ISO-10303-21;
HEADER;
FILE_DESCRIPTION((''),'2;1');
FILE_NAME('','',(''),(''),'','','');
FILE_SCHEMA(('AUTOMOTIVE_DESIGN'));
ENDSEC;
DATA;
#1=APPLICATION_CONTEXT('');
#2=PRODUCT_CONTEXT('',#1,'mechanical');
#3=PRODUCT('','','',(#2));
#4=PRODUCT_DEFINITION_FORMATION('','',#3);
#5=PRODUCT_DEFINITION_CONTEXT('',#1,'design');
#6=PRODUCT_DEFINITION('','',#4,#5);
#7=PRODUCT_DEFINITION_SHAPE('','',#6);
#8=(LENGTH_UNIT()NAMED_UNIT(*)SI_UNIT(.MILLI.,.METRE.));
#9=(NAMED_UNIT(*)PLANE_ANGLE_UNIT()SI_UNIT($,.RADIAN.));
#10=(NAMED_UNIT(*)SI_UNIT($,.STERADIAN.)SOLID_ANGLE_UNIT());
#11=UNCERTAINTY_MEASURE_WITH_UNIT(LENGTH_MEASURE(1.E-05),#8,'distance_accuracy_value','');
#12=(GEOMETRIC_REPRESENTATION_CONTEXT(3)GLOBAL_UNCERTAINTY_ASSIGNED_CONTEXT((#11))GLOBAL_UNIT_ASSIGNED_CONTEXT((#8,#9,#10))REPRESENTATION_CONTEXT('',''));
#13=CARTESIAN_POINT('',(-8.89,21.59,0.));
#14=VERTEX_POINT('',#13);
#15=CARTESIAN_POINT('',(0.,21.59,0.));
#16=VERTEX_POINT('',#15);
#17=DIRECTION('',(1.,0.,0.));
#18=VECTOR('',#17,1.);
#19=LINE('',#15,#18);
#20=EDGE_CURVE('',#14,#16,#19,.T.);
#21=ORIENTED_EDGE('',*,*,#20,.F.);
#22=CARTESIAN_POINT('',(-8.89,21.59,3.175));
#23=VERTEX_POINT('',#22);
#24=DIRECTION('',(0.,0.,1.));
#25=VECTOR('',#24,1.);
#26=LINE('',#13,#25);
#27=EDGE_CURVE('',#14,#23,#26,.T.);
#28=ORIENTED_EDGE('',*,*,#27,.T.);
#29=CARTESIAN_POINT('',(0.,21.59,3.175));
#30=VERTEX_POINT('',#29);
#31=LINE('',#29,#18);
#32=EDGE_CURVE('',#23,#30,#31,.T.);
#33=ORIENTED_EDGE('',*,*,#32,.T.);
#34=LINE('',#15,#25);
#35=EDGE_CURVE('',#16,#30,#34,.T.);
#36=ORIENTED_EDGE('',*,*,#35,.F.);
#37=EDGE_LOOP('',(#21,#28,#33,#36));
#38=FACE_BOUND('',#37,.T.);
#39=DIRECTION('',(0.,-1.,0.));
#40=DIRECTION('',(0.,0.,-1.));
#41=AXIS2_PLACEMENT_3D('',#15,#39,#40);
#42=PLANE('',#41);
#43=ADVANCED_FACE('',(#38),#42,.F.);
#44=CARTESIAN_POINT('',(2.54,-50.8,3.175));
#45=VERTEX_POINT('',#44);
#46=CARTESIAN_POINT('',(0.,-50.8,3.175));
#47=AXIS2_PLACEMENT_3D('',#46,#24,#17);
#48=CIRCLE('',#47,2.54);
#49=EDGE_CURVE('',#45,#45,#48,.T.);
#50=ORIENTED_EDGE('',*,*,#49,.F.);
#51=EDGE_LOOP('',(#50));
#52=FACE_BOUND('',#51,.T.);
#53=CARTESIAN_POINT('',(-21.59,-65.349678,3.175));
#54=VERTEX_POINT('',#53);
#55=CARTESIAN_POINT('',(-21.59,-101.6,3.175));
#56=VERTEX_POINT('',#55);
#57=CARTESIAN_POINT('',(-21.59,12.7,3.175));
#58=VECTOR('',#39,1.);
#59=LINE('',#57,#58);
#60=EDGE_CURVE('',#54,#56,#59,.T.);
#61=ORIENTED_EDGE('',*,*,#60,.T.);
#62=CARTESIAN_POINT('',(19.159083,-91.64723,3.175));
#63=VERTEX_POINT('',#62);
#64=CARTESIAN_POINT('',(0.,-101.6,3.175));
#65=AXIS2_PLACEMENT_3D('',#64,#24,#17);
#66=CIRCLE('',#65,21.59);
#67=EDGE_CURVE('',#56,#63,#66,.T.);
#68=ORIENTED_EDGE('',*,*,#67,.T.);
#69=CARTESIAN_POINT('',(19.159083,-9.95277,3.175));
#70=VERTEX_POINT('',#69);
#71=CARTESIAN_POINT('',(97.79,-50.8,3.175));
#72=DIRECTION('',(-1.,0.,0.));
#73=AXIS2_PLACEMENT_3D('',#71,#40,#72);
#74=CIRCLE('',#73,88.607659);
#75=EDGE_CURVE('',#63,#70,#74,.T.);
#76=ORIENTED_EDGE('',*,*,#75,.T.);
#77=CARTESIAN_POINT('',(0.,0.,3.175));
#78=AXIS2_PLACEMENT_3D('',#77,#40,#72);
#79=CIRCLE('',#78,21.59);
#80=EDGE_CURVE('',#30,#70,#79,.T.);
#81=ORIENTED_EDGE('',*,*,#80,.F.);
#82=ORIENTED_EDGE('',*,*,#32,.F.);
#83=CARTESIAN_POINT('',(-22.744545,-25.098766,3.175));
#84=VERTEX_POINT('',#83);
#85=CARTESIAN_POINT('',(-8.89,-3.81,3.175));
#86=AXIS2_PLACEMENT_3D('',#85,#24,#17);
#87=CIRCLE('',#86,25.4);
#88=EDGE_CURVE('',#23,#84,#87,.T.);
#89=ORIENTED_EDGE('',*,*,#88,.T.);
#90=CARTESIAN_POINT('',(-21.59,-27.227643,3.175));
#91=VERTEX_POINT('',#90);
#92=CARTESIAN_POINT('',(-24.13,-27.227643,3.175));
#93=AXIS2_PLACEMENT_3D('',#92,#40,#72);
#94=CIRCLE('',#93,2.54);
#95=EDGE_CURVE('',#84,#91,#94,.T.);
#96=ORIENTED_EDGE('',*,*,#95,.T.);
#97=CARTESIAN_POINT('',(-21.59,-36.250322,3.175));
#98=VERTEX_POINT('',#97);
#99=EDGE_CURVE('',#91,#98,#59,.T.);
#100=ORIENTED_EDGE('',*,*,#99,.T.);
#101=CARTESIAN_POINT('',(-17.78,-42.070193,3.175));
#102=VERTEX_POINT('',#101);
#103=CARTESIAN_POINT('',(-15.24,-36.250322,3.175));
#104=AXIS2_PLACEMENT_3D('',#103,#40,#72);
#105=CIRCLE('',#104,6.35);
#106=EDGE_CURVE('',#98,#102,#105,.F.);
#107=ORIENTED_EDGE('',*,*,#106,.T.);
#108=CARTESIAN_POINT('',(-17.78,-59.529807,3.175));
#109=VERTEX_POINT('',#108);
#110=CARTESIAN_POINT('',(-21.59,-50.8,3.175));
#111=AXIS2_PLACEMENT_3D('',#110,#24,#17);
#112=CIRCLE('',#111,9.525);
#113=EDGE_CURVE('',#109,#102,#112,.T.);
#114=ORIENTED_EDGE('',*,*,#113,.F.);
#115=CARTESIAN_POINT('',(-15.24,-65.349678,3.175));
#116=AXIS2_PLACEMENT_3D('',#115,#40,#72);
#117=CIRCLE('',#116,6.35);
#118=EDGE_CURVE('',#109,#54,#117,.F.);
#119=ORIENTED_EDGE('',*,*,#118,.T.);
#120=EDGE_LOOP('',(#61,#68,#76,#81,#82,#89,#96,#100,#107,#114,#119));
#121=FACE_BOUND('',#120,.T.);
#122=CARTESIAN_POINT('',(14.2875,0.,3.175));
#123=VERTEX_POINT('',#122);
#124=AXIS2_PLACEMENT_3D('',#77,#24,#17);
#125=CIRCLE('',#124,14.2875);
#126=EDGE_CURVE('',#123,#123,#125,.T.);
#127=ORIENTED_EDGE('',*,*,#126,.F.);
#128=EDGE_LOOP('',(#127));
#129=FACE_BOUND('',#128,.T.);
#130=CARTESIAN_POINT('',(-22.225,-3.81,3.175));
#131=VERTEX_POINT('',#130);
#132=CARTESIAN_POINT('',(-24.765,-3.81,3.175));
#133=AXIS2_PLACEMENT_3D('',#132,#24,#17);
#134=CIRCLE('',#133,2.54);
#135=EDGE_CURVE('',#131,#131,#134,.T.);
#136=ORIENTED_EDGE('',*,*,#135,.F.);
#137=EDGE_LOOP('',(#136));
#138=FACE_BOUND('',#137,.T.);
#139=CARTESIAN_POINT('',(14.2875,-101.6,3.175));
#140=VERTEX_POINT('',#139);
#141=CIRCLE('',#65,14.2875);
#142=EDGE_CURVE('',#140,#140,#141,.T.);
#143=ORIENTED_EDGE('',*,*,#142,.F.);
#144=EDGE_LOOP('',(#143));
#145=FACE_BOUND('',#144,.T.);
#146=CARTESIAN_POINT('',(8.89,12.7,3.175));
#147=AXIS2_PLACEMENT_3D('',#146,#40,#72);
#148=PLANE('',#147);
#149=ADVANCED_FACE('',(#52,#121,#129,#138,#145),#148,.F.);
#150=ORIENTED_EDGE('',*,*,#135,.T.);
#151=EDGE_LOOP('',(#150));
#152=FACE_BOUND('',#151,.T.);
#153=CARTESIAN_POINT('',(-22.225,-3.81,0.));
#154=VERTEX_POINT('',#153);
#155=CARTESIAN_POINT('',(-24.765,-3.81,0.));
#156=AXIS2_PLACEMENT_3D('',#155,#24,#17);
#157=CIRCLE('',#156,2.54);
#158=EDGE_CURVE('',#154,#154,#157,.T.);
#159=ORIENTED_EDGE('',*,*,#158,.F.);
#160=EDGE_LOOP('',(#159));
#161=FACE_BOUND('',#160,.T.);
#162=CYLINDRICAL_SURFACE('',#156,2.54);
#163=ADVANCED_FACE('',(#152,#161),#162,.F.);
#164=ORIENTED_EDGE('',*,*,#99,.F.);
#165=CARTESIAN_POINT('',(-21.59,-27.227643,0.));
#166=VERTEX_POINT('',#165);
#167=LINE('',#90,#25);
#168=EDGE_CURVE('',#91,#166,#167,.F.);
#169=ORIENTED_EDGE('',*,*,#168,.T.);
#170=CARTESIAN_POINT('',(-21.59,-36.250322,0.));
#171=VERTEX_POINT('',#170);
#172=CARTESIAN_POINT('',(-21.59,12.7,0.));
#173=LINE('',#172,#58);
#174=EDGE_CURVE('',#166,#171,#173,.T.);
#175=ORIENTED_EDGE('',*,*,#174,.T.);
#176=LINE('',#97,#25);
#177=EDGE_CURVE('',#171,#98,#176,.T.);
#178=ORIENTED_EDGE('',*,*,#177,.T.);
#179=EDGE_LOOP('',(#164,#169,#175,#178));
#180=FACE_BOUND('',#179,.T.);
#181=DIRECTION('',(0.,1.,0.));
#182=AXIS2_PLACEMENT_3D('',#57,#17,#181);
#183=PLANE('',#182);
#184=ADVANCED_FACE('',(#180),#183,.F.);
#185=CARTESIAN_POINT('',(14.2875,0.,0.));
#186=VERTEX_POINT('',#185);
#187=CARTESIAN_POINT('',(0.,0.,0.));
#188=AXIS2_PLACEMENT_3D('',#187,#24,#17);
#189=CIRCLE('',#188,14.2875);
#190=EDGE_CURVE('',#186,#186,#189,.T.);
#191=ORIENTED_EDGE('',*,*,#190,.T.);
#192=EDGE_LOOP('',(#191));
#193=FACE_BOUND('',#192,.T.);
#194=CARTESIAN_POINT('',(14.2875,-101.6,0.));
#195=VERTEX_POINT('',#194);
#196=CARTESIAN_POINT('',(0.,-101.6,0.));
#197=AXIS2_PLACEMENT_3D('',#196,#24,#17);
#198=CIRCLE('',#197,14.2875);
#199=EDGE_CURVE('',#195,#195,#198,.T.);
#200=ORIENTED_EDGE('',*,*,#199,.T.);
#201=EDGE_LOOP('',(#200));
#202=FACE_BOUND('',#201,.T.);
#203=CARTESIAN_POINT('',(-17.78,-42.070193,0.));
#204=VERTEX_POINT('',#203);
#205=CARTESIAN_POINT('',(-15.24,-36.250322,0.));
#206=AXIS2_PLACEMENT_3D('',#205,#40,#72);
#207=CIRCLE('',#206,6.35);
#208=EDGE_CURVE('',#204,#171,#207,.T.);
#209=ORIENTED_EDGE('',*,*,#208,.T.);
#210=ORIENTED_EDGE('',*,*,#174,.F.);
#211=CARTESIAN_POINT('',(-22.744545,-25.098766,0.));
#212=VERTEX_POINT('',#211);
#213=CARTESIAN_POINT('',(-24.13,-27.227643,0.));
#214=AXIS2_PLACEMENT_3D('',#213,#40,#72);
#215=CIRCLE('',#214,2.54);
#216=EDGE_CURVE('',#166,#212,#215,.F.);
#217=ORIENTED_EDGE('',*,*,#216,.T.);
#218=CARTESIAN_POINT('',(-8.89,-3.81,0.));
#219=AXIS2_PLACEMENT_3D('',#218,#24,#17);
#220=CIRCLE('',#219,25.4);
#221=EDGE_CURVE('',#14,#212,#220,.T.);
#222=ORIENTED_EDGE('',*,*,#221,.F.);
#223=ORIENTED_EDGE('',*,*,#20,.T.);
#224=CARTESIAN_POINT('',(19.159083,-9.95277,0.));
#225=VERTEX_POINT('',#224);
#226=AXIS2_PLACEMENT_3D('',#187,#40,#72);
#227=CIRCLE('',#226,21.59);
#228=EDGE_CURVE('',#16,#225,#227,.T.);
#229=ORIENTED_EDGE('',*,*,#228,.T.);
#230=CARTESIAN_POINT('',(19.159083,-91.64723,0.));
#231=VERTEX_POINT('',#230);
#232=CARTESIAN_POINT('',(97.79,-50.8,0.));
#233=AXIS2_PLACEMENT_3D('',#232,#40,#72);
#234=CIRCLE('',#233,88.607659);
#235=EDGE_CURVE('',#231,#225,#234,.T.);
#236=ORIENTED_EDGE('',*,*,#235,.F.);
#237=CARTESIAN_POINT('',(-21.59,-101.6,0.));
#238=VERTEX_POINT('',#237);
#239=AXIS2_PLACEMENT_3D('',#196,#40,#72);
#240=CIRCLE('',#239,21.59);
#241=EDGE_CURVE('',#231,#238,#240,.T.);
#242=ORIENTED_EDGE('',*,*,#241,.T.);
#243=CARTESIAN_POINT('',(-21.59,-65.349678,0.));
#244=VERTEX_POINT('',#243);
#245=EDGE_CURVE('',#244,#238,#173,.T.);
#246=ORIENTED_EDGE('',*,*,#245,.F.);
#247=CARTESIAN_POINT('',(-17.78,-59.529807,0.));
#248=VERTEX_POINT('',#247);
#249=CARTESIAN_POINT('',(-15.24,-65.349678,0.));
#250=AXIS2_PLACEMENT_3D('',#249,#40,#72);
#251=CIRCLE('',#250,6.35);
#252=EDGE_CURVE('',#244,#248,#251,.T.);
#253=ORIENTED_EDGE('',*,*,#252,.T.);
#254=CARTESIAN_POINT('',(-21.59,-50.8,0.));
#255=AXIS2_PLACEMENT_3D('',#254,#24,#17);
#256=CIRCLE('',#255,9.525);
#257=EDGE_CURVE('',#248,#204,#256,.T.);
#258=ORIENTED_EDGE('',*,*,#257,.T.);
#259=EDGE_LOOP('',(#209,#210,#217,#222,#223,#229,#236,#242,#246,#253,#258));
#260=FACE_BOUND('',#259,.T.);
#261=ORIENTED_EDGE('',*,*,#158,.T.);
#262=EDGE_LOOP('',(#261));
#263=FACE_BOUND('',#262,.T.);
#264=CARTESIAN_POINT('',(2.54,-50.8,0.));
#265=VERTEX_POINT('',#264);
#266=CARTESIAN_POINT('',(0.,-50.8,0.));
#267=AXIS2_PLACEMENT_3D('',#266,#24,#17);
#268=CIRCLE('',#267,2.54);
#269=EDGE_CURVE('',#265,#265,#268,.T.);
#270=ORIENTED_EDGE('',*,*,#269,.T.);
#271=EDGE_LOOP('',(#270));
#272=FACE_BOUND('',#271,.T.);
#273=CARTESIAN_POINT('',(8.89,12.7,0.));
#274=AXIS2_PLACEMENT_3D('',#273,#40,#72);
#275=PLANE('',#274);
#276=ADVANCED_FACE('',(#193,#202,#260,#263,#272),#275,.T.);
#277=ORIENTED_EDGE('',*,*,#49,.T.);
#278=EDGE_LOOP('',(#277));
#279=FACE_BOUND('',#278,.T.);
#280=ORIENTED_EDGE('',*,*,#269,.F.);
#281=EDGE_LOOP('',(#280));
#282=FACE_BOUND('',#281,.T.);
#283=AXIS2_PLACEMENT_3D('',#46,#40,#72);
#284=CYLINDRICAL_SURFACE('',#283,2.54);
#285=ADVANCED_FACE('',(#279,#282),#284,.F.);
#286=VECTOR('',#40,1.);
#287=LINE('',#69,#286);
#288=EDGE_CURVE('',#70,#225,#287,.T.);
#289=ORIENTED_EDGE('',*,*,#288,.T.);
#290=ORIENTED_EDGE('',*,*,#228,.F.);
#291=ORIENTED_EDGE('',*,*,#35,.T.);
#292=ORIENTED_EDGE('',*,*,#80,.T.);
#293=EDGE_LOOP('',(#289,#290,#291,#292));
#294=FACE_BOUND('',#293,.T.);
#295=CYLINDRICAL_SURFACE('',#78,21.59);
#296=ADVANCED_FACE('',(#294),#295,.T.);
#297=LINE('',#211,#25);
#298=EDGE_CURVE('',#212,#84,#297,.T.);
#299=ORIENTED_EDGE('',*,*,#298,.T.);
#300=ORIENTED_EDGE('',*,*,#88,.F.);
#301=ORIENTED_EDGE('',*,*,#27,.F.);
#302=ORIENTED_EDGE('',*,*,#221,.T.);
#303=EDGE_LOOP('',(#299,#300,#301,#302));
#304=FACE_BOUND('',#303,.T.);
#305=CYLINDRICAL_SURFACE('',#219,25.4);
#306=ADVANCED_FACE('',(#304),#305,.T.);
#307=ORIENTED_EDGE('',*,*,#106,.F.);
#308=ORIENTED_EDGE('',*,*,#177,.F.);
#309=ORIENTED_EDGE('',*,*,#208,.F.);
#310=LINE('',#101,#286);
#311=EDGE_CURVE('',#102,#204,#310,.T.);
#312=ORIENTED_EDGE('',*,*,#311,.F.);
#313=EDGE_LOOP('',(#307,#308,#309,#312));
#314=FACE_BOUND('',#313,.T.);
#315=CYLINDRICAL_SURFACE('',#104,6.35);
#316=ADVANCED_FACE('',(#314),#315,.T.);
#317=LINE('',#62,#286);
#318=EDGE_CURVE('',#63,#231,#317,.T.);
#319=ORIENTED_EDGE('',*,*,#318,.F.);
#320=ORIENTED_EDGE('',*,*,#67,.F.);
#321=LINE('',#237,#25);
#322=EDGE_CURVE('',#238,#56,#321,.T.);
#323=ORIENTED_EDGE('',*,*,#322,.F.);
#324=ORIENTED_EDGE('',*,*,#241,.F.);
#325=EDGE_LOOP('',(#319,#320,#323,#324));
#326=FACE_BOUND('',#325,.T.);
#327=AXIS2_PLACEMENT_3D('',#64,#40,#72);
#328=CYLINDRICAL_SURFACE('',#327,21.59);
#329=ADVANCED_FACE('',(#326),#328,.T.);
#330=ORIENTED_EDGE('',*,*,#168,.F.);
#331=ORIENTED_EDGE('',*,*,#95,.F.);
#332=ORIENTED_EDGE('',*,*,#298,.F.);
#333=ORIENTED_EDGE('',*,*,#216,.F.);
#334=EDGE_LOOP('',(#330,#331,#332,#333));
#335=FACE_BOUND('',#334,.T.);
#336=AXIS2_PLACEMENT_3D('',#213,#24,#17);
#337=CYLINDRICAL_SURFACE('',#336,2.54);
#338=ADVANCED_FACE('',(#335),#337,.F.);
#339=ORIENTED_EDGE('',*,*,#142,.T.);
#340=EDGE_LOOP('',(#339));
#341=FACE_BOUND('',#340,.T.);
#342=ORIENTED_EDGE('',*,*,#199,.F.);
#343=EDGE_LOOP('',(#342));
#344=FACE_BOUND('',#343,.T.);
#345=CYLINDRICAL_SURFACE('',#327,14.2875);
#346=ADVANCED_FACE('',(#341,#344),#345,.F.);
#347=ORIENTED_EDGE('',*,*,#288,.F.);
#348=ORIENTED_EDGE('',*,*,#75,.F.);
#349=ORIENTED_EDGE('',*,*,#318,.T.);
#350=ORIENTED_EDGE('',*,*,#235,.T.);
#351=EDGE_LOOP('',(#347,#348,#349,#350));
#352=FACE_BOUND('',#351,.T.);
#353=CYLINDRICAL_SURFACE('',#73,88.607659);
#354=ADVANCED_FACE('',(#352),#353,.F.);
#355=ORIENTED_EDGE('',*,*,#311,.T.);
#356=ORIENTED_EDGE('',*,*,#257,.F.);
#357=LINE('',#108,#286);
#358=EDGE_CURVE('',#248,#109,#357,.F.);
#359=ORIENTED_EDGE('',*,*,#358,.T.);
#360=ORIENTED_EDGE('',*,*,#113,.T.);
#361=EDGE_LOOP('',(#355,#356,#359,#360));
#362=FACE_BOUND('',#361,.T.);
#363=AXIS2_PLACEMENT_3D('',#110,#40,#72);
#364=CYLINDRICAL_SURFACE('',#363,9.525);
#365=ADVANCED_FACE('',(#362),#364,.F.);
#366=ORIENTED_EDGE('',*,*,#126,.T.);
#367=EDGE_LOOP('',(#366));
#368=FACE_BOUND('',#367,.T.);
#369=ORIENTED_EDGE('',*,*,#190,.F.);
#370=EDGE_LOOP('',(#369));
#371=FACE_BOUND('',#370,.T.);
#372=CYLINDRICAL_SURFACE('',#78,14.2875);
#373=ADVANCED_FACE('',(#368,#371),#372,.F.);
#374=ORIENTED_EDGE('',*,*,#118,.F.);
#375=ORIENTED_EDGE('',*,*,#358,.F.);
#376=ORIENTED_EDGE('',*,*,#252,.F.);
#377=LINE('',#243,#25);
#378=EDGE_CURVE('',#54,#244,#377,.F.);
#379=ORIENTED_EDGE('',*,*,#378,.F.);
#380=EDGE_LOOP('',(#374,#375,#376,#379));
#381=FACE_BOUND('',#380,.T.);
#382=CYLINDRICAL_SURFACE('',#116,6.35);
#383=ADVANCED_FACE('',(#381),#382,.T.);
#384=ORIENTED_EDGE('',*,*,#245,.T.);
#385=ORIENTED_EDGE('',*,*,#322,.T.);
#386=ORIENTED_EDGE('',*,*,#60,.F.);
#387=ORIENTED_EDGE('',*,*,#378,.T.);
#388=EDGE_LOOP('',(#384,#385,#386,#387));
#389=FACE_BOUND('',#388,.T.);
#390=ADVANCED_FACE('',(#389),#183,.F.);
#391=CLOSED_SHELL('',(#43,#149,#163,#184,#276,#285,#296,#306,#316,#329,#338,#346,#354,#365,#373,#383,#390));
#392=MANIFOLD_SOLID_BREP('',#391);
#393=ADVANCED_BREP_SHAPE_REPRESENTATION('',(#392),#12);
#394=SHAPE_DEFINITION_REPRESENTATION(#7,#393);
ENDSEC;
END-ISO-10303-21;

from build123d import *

# Parameters (mm, degrees)
SKETCH1_R           = 14.2875
SKETCH1_R_2         = 2.54
BOSS_EXTRUDE1_DEPTH = 3.175
CUT_EXTRUDE1_DEPTH  = 162.674043733
FILLET3_R           = 6.35
SKETCH3_R           = 2.54
BOSS_EXTRUDE3_DEPTH = 3.175
SKETCH6_R           = 2.54
BOSS_EXTRUDE4_DEPTH = 3.175
FILLET2_R           = 6.35
CUT_EXTRUDE2_DEPTH  = 169.237022961
CUT_EXTRUDE3_DEPTH  = 169.237022961
CUT_EXTRUDE4_DEPTH  = 168.265702461
SKETCH15_R          = 2.54
BOSS_EXTRUDE8_DEPTH = 3.175
FILLET4_R           = 2.54


with BuildPart() as part:
    # Sketch1 → Boss-Extrude1 (new body)
    with BuildSketch(Plane.XY):
        with BuildLine():
            Line((-8.89, 25.4), (8.89, 25.4))
            ThreePointArc((8.89, 25.4), (17.870256121, 21.680256121), (21.59, 12.7))
            Line((21.59, 12.7), (21.59, -117.775079775))
            ThreePointArc((21.59, -117.775079775), (21.127743647, -120.388718212), (19.797058824, -122.685251408))
            Line((19.797058824, -122.685251408), (-7.952696208, -155.616779465))
            ThreePointArc((-7.952696208, -155.616779465), (-12.268297602, -157.851943494), (-16.900388255, -156.380852124))
            Line((-16.900388255, -156.380852124), (-32.439211784, -143.287061102))
            ThreePointArc((-32.439211784, -143.287061102), (-34.674375812, -138.971459708), (-33.203284443, -134.339369055))
            Line((-33.203284443, -134.339369055), (-23.382941176, -122.685251408))
            ThreePointArc((-23.382941176, -122.685251408), (-22.052256353, -120.388718212), (-21.59, -117.775079775))
            Line((-21.59, -117.775079775), (-21.59, 12.7))
            ThreePointArc((-21.59, 12.7), (-17.870256121, 21.680256121), (-8.89, 25.4))
        make_face()
        Circle(SKETCH1_R, mode=Mode.SUBTRACT)
        with Locations((0, -101.6)):
            Circle(SKETCH1_R, mode=Mode.SUBTRACT)
        with Locations((-18.532085478, -142.550133084)):
            Circle(SKETCH1_R_2, mode=Mode.SUBTRACT)
        with Locations((0, -50.8)):
            Circle(SKETCH1_R_2, mode=Mode.SUBTRACT)
    extrude(amount=BOSS_EXTRUDE1_DEPTH)

    # Sketch2 → Cut-Extrude1 (cut, through all)
    with BuildSketch(Plane.XY):
        with BuildLine():
            ThreePointArc((19.159083004, -91.647229609), (9.182340769, -50.8), (19.159083004, -9.952770391))
            ThreePointArc((19.159083004, -9.952770391), (20.973467787, -5.122670102), (21.59, 0))
            Line((21.59, 0), (27.94, 0))
            Line((27.94, 0), (27.94, -121.656687185))
            Line((27.94, -121.656687185), (-7.620284479, -163.8572221))
            Line((-7.620284479, -163.8572221), (-17.501317584, -155.874478972))
            Line((-17.501317584, -155.874478972), (16.51, -115.512152961))
            ThreePointArc((16.51, -115.512152961), (20.280273667, -109.005308906), (21.59, -101.6))
            ThreePointArc((21.59, -101.6), (20.973467787, -96.477329898), (19.159083004, -91.647229609))
        make_face()
        with BuildLine():
            Line((-21.59, -41.275), (-21.59, -60.325))
            ThreePointArc((-21.59, -60.325), (-12.065, -50.8), (-21.59, -41.275))
        make_face()
    extrude(amount=CUT_EXTRUDE1_DEPTH, mode=Mode.SUBTRACT)


with BuildPart() as cut_extrude1_piece_1:
    # of the separate pieces the step leaves, piece 1, a body of its own (cut_extrude1_pieces)
    add(part.part.solids().sort_by_distance((-8.89, 25.4, 0))[0])

    # Fillet3
    fillet3_edges = [cut_extrude1_piece_1.edges().sort_by_distance(p)[0] for p in [
        (-21.59, -41.275, 1.5875),
        (-21.59, -60.325, 1.5875),
    ]]
    fillet(fillet3_edges, radius=FILLET3_R)

    # Sketch3 → Boss-Extrude3 (add)
    with BuildSketch(Plane.XY.offset(3.175)):
        with BuildLine():
            Line((-27.351416194, -127.394768527), (-36.025496499, -137.688579))
            ThreePointArc((-36.025496499, -137.688579), (-37.217489152, -141.441859142), (-35.4063854, -144.93869507))
            Line((-35.4063854, -144.93869507), (-24.403104784, -154.210610454))
            ThreePointArc((-24.403104784, -154.210610454), (-19.771014132, -155.681701823), (-15.455412737, -153.446537795))
            Line((-15.455412737, -153.446537795), (-7.557639641, -144.073996091))
            Line((-7.557639641, -144.073996091), (-27.351416194, -127.394768527))
        make_face()
        with Locations((-18.532085478, -142.550133084)):
            Circle(SKETCH3_R, mode=Mode.SUBTRACT)
    extrude(amount=-BOSS_EXTRUDE3_DEPTH)

    # Sketch6 → Boss-Extrude4 (add)
    with BuildSketch(Plane.XY.offset(3.175)):
        Polygon((-35.4063854, -144.93869507), (-63.620410749, -121.164144113), (-51.344981666, -106.596497054), (-27.065569901, -127.055545526), align=None)
        with Locations((-52.626813855, -117.972130278)):
            Circle(SKETCH6_R, mode=Mode.SUBTRACT)
    extrude(amount=-BOSS_EXTRUDE4_DEPTH)

    # Fillet2
    fillet2_edges = [cut_extrude1_piece_1.edges().sort_by_distance(p)[0] for p in [
        (-63.620410749, -121.164144113, 1.5875),
        (-51.344981666, -106.596497054, 1.5875),
        (-27.065569901, -127.055545526, 1.5875),
    ]]
    fillet(fillet2_edges, radius=FILLET2_R)

    # Sketch7 → Cut-Extrude2 (cut, through all)
    with BuildSketch(Plane.XY.offset(3.175)):
        with BuildLine():
            Line((-21.59, 0), (-21.59, 31.75))
            Line((-21.59, 31.75), (21.59, 31.75))
            Line((21.59, 31.75), (21.59, 0))
            ThreePointArc((21.59, 0), (0, 21.59), (-21.59, 0))
        make_face()
    extrude(amount=-CUT_EXTRUDE2_DEPTH, mode=Mode.SUBTRACT)


with BuildPart() as cut_extrude1_piece_2:
    # of the separate pieces the step leaves, piece 2, a body of its own (cut_extrude1_pieces)
    add(part.part.solids().sort_by_distance((-16.900388255, -156.380852124, 0))[0])


with BuildPart() as cut_extrude3_tool:
    # Sketch10 → Cut-Extrude3 (new, through all)
    with BuildSketch(Plane.XY.offset(3.175)):
        with BuildLine():
            Line((-18.151882461, -155.32628042), (-17.361482582, -157.512020269))
            Line((-17.361482582, -157.512020269), (-14.375706423, -156.432313955))
            Line((-14.375706423, -156.432313955), (-15.455412737, -153.446537795))
            ThreePointArc((-15.455412737, -153.446537795), (-16.679911193, -154.563907595), (-18.151882461, -155.32628042))
        make_face()
    extrude(amount=-CUT_EXTRUDE3_DEPTH)


with BuildPart() as cut_extrude1_piece_1_1:
    add(cut_extrude1_piece_1.part)

    # Cut-Extrude3: cut by cut_extrude3_tool
    add(cut_extrude3_tool.part, mode=Mode.SUBTRACT)

    # Sketch12 → Cut-Extrude4 (cut, through all)
    with BuildSketch(Plane.XY.offset(3.175)):
        with BuildLine():
            Line((-21.59, -101.6), (-72.39, -101.6))
            Line((-72.39, -101.6), (-72.39, -165.1))
            Line((-72.39, -165.1), (16.51, -165.1))
            Line((16.51, -165.1), (16.51, -115.512152961))
            ThreePointArc((16.51, -115.512152961), (-7.405308906, -121.880273667), (-21.59, -101.6))
        make_face()
    extrude(amount=-CUT_EXTRUDE4_DEPTH, mode=Mode.SUBTRACT)

    # Sketch15 → Boss-Extrude8 (add)
    with BuildSketch(Plane.XY.offset(3.175)):
        with BuildLine():
            ThreePointArc((-34.29, -3.81), (-30.887045256, -16.51), (-21.59, -25.807045256))
            Line((-21.59, -25.807045256), (-21.59, 0))
            ThreePointArc((-21.59, 0), (-15.266435406, 15.266435406), (0, 21.59))
            Line((0, 21.59), (-8.89, 21.59))
            ThreePointArc((-8.89, 21.59), (-26.850512242, 14.150512242), (-34.29, -3.81))
        make_face()
        with Locations((-24.765, -3.81)):
            Circle(SKETCH15_R, mode=Mode.SUBTRACT)
    extrude(amount=-BOSS_EXTRUDE8_DEPTH)

    # Fillet4
    fillet4_edges = [cut_extrude1_piece_1_1.edges().sort_by_distance(p)[0] for p in [
        (-21.59, -25.807045256, 1.5875),
    ]]
    fillet(fillet4_edges, radius=FILLET4_R)


with BuildPart() as cut_extrude1_piece_2_1:
    add(cut_extrude1_piece_2.part)

    # Cut-Extrude3: cut by cut_extrude3_tool
    add(cut_extrude3_tool.part, mode=Mode.SUBTRACT)


solid = cut_extrude1_piece_1_1.part
